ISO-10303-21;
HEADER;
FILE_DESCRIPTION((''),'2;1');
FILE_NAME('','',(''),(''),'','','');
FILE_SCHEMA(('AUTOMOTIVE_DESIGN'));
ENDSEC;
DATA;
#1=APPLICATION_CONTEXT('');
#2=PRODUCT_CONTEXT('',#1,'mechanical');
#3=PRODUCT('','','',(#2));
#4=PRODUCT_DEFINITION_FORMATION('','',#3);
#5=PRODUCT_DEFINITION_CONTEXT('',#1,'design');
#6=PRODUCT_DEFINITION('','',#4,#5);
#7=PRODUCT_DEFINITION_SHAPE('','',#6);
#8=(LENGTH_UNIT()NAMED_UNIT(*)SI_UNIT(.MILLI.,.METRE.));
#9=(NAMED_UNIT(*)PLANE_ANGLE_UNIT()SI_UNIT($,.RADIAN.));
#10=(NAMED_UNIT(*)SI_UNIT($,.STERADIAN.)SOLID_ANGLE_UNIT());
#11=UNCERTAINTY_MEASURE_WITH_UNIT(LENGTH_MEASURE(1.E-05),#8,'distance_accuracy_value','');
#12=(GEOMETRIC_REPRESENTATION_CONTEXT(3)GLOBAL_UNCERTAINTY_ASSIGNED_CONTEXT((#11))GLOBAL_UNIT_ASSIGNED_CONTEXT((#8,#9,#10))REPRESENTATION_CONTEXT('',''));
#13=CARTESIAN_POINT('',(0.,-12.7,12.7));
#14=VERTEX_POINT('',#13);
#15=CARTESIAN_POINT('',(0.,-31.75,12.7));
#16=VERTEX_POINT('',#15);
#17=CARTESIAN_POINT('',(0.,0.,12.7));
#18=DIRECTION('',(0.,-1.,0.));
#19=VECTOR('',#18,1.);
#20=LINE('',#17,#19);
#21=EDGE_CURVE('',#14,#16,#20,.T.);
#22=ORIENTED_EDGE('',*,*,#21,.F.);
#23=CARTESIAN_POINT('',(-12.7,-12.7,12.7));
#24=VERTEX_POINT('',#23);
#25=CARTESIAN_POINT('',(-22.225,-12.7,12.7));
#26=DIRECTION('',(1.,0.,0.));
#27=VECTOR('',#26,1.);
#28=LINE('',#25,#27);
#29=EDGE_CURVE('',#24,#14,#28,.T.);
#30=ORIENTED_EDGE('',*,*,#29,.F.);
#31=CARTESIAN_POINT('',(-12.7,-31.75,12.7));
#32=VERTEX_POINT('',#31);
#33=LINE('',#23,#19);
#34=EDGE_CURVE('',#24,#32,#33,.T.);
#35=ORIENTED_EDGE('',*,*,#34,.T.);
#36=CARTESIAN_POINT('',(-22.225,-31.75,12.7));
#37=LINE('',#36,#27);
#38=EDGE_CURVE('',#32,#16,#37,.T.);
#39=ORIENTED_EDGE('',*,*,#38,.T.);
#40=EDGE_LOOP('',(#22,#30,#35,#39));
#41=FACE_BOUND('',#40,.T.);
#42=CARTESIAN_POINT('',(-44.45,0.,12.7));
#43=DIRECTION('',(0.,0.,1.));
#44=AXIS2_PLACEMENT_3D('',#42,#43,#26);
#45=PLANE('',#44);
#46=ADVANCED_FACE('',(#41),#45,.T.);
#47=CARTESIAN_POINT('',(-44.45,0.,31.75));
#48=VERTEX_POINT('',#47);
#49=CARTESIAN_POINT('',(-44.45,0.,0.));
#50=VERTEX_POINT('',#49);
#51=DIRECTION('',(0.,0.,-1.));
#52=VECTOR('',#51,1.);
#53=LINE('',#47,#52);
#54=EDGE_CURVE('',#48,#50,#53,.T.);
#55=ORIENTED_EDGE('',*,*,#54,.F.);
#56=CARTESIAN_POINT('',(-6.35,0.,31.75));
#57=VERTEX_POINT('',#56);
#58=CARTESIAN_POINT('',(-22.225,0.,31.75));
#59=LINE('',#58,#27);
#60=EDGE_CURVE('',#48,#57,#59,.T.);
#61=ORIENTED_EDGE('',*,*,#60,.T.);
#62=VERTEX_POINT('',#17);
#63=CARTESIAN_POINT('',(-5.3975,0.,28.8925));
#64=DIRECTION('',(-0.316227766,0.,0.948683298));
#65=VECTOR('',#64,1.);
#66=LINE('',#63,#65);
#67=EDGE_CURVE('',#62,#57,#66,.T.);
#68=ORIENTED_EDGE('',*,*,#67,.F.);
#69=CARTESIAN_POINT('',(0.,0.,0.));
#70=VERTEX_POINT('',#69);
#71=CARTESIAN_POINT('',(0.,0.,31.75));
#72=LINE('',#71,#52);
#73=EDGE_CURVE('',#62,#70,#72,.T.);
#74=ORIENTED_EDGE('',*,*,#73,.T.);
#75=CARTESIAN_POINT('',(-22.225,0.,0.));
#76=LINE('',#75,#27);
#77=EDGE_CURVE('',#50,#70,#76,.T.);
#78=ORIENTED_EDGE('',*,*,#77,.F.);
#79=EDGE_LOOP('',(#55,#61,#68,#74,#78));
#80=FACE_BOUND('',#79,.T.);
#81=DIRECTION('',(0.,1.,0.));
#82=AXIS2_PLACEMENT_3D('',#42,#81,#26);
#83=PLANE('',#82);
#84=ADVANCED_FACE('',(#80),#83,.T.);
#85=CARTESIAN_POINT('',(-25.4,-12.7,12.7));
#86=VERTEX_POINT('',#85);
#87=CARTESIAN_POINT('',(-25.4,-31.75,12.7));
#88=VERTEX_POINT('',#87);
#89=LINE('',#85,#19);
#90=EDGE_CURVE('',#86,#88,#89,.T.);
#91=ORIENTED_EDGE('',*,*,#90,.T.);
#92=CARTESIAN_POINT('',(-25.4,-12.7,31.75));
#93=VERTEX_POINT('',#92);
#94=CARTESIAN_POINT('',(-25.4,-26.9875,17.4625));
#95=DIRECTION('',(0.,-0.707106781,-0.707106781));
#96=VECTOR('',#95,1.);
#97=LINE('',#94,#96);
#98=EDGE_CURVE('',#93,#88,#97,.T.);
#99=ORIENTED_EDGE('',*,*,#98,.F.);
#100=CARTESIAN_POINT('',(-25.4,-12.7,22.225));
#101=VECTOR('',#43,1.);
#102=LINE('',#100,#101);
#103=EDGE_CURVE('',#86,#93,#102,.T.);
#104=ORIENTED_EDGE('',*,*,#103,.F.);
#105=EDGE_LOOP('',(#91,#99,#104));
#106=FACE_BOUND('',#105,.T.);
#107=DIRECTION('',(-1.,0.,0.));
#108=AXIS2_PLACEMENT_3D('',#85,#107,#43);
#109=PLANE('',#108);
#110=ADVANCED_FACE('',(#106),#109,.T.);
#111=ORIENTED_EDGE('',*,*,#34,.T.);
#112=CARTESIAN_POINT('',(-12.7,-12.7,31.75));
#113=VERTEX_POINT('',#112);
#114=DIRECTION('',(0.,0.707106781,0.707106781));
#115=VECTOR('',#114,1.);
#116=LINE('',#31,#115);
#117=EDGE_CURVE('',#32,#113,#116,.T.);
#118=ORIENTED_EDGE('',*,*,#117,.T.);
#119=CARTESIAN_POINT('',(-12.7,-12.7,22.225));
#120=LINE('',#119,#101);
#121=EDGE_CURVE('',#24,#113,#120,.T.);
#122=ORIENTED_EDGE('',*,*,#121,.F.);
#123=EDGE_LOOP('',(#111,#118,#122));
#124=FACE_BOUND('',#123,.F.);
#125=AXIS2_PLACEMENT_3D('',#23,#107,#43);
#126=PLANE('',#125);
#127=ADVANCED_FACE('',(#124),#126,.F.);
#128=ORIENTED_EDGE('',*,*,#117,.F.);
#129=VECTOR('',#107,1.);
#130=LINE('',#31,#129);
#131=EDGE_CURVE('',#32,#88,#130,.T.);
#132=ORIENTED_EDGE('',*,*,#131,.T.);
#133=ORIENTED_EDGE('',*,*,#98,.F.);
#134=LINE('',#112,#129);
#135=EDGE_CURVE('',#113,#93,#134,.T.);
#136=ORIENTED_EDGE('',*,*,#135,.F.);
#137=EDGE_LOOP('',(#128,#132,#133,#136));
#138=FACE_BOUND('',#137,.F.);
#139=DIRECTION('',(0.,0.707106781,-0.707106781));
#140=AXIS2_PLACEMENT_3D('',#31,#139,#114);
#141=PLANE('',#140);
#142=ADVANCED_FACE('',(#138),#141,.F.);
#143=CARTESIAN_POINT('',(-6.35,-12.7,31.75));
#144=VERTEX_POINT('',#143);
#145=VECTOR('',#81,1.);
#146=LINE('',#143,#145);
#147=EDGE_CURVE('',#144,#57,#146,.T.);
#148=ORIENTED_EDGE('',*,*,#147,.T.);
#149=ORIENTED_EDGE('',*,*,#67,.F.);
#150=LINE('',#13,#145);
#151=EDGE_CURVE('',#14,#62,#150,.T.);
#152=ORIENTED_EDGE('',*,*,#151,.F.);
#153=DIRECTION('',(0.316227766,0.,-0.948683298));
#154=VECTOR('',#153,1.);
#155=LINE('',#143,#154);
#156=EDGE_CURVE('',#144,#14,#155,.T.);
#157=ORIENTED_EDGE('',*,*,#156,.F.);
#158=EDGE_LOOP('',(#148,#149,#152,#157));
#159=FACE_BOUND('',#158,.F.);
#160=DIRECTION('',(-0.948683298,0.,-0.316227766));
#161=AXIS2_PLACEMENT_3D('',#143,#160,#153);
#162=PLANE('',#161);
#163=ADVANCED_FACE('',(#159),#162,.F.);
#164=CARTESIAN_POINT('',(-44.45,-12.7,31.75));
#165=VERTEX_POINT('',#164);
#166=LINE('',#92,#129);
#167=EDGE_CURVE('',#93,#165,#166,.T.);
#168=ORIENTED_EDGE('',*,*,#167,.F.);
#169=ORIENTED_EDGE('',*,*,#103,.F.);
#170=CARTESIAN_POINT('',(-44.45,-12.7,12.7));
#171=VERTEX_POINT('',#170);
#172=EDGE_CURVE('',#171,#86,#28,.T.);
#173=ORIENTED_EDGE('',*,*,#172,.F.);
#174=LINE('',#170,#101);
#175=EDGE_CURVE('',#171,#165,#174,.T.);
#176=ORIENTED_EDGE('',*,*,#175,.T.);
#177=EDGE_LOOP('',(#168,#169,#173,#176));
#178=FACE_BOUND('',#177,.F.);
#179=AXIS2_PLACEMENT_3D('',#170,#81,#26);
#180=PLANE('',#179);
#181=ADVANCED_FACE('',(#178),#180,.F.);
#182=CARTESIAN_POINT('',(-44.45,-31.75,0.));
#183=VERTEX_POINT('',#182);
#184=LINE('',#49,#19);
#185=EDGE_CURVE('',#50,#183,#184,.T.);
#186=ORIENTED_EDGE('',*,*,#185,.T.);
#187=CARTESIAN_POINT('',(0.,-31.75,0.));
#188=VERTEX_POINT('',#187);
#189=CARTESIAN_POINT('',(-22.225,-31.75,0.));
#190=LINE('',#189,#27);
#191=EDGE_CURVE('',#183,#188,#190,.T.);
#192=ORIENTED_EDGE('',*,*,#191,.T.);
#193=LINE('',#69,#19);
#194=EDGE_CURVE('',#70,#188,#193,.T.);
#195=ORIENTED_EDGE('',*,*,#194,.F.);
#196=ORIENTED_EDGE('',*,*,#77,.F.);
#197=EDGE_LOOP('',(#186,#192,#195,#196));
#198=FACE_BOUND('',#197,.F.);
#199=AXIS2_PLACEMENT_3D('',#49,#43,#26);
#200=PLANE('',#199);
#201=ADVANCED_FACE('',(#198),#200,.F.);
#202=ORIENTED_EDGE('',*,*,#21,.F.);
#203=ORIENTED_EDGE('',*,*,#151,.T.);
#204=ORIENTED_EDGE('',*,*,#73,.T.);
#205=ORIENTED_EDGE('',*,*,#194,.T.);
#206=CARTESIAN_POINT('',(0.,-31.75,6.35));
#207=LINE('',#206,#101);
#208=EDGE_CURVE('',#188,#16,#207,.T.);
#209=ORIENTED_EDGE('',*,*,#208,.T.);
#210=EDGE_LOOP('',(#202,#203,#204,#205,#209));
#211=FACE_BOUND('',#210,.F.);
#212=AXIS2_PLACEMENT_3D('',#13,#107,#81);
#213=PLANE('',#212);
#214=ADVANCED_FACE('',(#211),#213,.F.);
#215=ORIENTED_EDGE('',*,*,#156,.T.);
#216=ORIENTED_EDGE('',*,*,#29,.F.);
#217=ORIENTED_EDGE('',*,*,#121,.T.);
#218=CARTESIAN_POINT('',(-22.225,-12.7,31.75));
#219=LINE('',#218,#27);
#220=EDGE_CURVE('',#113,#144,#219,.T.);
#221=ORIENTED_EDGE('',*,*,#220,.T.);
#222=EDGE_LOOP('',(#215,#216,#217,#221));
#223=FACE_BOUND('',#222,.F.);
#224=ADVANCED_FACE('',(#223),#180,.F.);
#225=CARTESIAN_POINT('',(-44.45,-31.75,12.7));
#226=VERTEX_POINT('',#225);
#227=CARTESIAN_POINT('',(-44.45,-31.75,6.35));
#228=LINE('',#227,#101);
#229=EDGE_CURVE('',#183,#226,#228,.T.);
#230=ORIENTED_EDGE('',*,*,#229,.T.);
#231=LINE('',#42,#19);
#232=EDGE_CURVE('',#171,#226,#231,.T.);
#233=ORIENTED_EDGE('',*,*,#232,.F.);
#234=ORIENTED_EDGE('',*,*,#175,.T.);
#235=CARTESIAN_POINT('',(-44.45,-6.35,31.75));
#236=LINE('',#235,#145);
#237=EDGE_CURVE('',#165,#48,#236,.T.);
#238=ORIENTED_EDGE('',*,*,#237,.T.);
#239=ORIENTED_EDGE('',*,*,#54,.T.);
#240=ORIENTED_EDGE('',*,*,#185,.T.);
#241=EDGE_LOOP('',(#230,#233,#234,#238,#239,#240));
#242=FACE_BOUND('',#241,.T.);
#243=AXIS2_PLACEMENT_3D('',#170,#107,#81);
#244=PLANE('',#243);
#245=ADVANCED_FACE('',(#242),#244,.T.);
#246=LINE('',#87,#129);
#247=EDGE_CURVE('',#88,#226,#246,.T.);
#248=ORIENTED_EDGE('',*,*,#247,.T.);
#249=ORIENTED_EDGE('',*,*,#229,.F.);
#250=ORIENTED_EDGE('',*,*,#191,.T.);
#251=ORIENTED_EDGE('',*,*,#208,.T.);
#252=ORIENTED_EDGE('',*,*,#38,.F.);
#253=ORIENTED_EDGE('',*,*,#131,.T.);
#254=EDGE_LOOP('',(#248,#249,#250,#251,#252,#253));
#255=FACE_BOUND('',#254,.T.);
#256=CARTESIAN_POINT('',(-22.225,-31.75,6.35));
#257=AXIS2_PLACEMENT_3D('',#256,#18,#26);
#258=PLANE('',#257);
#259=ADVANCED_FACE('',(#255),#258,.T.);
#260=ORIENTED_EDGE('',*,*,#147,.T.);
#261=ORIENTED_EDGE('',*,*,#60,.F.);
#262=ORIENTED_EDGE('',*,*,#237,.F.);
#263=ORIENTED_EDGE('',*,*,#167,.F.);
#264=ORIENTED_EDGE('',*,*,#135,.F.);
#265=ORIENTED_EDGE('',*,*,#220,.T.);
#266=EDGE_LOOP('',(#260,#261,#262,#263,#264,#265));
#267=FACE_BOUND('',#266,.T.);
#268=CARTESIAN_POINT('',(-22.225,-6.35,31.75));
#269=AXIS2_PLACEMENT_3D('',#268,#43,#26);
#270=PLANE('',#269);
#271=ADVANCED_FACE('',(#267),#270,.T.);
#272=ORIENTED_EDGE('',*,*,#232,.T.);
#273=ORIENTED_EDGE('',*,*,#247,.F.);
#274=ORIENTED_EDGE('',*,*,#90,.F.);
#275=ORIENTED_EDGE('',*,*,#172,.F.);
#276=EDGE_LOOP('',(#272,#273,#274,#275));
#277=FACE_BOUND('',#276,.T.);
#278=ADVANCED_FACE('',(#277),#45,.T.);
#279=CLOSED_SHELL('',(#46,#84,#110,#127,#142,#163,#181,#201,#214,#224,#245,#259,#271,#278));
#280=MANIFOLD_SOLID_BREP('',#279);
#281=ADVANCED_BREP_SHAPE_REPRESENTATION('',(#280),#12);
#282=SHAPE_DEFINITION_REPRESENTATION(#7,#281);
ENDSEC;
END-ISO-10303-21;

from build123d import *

# Parameters (mm, degrees)
F0_W     = 44.45
F0_H     = 12.7
F1_DEPTH = 31.75
F2_W     = 44.45
F2_H     = 12.7
F3_DEPTH = 19.05
F4_W     = 12.7
F4_H     = 19.05
F5_DEPTH = 19.05
F7_DEPTH = 25.4
F9_DEPTH = 25.4


with BuildPart() as f1:
    # F0 (on Front) → F1 (new body)
    with BuildSketch(Plane.XZ):
        with Locations((-22.225, 6.35)):
            Rectangle(F0_W, F0_H)
    extrude(amount=F1_DEPTH)

    # F2 (on face) → F3 (join)
    with BuildSketch(Plane.XY.offset(12.7)):
        with Locations((-22.225, -6.35)):
            Rectangle(F2_W, F2_H)
    extrude(amount=F3_DEPTH)

    # F4 (on face) → F5 (join)
    with BuildSketch(Plane.XZ.offset(12.7)):
        with Locations((-19.05, 22.225)):
            Rectangle(F4_W, F4_H)
    extrude(amount=F5_DEPTH)

    # F6 (on face) → F7 (cut)
    with BuildSketch(Plane.YZ.offset(-12.7)):
        Polygon((-31.75, 31.75), (-31.75, 12.7), (-12.7, 31.75), align=None)
    extrude(amount=-F7_DEPTH, mode=Mode.SUBTRACT)

    # F8 (on face) → F9 (cut)
    with BuildSketch(Plane.XZ.offset(12.7)):
        Polygon((0, 31.75), (-6.35, 31.75), (0, 12.7), align=None)
    extrude(amount=-F9_DEPTH, mode=Mode.SUBTRACT)


solid = f1.part
